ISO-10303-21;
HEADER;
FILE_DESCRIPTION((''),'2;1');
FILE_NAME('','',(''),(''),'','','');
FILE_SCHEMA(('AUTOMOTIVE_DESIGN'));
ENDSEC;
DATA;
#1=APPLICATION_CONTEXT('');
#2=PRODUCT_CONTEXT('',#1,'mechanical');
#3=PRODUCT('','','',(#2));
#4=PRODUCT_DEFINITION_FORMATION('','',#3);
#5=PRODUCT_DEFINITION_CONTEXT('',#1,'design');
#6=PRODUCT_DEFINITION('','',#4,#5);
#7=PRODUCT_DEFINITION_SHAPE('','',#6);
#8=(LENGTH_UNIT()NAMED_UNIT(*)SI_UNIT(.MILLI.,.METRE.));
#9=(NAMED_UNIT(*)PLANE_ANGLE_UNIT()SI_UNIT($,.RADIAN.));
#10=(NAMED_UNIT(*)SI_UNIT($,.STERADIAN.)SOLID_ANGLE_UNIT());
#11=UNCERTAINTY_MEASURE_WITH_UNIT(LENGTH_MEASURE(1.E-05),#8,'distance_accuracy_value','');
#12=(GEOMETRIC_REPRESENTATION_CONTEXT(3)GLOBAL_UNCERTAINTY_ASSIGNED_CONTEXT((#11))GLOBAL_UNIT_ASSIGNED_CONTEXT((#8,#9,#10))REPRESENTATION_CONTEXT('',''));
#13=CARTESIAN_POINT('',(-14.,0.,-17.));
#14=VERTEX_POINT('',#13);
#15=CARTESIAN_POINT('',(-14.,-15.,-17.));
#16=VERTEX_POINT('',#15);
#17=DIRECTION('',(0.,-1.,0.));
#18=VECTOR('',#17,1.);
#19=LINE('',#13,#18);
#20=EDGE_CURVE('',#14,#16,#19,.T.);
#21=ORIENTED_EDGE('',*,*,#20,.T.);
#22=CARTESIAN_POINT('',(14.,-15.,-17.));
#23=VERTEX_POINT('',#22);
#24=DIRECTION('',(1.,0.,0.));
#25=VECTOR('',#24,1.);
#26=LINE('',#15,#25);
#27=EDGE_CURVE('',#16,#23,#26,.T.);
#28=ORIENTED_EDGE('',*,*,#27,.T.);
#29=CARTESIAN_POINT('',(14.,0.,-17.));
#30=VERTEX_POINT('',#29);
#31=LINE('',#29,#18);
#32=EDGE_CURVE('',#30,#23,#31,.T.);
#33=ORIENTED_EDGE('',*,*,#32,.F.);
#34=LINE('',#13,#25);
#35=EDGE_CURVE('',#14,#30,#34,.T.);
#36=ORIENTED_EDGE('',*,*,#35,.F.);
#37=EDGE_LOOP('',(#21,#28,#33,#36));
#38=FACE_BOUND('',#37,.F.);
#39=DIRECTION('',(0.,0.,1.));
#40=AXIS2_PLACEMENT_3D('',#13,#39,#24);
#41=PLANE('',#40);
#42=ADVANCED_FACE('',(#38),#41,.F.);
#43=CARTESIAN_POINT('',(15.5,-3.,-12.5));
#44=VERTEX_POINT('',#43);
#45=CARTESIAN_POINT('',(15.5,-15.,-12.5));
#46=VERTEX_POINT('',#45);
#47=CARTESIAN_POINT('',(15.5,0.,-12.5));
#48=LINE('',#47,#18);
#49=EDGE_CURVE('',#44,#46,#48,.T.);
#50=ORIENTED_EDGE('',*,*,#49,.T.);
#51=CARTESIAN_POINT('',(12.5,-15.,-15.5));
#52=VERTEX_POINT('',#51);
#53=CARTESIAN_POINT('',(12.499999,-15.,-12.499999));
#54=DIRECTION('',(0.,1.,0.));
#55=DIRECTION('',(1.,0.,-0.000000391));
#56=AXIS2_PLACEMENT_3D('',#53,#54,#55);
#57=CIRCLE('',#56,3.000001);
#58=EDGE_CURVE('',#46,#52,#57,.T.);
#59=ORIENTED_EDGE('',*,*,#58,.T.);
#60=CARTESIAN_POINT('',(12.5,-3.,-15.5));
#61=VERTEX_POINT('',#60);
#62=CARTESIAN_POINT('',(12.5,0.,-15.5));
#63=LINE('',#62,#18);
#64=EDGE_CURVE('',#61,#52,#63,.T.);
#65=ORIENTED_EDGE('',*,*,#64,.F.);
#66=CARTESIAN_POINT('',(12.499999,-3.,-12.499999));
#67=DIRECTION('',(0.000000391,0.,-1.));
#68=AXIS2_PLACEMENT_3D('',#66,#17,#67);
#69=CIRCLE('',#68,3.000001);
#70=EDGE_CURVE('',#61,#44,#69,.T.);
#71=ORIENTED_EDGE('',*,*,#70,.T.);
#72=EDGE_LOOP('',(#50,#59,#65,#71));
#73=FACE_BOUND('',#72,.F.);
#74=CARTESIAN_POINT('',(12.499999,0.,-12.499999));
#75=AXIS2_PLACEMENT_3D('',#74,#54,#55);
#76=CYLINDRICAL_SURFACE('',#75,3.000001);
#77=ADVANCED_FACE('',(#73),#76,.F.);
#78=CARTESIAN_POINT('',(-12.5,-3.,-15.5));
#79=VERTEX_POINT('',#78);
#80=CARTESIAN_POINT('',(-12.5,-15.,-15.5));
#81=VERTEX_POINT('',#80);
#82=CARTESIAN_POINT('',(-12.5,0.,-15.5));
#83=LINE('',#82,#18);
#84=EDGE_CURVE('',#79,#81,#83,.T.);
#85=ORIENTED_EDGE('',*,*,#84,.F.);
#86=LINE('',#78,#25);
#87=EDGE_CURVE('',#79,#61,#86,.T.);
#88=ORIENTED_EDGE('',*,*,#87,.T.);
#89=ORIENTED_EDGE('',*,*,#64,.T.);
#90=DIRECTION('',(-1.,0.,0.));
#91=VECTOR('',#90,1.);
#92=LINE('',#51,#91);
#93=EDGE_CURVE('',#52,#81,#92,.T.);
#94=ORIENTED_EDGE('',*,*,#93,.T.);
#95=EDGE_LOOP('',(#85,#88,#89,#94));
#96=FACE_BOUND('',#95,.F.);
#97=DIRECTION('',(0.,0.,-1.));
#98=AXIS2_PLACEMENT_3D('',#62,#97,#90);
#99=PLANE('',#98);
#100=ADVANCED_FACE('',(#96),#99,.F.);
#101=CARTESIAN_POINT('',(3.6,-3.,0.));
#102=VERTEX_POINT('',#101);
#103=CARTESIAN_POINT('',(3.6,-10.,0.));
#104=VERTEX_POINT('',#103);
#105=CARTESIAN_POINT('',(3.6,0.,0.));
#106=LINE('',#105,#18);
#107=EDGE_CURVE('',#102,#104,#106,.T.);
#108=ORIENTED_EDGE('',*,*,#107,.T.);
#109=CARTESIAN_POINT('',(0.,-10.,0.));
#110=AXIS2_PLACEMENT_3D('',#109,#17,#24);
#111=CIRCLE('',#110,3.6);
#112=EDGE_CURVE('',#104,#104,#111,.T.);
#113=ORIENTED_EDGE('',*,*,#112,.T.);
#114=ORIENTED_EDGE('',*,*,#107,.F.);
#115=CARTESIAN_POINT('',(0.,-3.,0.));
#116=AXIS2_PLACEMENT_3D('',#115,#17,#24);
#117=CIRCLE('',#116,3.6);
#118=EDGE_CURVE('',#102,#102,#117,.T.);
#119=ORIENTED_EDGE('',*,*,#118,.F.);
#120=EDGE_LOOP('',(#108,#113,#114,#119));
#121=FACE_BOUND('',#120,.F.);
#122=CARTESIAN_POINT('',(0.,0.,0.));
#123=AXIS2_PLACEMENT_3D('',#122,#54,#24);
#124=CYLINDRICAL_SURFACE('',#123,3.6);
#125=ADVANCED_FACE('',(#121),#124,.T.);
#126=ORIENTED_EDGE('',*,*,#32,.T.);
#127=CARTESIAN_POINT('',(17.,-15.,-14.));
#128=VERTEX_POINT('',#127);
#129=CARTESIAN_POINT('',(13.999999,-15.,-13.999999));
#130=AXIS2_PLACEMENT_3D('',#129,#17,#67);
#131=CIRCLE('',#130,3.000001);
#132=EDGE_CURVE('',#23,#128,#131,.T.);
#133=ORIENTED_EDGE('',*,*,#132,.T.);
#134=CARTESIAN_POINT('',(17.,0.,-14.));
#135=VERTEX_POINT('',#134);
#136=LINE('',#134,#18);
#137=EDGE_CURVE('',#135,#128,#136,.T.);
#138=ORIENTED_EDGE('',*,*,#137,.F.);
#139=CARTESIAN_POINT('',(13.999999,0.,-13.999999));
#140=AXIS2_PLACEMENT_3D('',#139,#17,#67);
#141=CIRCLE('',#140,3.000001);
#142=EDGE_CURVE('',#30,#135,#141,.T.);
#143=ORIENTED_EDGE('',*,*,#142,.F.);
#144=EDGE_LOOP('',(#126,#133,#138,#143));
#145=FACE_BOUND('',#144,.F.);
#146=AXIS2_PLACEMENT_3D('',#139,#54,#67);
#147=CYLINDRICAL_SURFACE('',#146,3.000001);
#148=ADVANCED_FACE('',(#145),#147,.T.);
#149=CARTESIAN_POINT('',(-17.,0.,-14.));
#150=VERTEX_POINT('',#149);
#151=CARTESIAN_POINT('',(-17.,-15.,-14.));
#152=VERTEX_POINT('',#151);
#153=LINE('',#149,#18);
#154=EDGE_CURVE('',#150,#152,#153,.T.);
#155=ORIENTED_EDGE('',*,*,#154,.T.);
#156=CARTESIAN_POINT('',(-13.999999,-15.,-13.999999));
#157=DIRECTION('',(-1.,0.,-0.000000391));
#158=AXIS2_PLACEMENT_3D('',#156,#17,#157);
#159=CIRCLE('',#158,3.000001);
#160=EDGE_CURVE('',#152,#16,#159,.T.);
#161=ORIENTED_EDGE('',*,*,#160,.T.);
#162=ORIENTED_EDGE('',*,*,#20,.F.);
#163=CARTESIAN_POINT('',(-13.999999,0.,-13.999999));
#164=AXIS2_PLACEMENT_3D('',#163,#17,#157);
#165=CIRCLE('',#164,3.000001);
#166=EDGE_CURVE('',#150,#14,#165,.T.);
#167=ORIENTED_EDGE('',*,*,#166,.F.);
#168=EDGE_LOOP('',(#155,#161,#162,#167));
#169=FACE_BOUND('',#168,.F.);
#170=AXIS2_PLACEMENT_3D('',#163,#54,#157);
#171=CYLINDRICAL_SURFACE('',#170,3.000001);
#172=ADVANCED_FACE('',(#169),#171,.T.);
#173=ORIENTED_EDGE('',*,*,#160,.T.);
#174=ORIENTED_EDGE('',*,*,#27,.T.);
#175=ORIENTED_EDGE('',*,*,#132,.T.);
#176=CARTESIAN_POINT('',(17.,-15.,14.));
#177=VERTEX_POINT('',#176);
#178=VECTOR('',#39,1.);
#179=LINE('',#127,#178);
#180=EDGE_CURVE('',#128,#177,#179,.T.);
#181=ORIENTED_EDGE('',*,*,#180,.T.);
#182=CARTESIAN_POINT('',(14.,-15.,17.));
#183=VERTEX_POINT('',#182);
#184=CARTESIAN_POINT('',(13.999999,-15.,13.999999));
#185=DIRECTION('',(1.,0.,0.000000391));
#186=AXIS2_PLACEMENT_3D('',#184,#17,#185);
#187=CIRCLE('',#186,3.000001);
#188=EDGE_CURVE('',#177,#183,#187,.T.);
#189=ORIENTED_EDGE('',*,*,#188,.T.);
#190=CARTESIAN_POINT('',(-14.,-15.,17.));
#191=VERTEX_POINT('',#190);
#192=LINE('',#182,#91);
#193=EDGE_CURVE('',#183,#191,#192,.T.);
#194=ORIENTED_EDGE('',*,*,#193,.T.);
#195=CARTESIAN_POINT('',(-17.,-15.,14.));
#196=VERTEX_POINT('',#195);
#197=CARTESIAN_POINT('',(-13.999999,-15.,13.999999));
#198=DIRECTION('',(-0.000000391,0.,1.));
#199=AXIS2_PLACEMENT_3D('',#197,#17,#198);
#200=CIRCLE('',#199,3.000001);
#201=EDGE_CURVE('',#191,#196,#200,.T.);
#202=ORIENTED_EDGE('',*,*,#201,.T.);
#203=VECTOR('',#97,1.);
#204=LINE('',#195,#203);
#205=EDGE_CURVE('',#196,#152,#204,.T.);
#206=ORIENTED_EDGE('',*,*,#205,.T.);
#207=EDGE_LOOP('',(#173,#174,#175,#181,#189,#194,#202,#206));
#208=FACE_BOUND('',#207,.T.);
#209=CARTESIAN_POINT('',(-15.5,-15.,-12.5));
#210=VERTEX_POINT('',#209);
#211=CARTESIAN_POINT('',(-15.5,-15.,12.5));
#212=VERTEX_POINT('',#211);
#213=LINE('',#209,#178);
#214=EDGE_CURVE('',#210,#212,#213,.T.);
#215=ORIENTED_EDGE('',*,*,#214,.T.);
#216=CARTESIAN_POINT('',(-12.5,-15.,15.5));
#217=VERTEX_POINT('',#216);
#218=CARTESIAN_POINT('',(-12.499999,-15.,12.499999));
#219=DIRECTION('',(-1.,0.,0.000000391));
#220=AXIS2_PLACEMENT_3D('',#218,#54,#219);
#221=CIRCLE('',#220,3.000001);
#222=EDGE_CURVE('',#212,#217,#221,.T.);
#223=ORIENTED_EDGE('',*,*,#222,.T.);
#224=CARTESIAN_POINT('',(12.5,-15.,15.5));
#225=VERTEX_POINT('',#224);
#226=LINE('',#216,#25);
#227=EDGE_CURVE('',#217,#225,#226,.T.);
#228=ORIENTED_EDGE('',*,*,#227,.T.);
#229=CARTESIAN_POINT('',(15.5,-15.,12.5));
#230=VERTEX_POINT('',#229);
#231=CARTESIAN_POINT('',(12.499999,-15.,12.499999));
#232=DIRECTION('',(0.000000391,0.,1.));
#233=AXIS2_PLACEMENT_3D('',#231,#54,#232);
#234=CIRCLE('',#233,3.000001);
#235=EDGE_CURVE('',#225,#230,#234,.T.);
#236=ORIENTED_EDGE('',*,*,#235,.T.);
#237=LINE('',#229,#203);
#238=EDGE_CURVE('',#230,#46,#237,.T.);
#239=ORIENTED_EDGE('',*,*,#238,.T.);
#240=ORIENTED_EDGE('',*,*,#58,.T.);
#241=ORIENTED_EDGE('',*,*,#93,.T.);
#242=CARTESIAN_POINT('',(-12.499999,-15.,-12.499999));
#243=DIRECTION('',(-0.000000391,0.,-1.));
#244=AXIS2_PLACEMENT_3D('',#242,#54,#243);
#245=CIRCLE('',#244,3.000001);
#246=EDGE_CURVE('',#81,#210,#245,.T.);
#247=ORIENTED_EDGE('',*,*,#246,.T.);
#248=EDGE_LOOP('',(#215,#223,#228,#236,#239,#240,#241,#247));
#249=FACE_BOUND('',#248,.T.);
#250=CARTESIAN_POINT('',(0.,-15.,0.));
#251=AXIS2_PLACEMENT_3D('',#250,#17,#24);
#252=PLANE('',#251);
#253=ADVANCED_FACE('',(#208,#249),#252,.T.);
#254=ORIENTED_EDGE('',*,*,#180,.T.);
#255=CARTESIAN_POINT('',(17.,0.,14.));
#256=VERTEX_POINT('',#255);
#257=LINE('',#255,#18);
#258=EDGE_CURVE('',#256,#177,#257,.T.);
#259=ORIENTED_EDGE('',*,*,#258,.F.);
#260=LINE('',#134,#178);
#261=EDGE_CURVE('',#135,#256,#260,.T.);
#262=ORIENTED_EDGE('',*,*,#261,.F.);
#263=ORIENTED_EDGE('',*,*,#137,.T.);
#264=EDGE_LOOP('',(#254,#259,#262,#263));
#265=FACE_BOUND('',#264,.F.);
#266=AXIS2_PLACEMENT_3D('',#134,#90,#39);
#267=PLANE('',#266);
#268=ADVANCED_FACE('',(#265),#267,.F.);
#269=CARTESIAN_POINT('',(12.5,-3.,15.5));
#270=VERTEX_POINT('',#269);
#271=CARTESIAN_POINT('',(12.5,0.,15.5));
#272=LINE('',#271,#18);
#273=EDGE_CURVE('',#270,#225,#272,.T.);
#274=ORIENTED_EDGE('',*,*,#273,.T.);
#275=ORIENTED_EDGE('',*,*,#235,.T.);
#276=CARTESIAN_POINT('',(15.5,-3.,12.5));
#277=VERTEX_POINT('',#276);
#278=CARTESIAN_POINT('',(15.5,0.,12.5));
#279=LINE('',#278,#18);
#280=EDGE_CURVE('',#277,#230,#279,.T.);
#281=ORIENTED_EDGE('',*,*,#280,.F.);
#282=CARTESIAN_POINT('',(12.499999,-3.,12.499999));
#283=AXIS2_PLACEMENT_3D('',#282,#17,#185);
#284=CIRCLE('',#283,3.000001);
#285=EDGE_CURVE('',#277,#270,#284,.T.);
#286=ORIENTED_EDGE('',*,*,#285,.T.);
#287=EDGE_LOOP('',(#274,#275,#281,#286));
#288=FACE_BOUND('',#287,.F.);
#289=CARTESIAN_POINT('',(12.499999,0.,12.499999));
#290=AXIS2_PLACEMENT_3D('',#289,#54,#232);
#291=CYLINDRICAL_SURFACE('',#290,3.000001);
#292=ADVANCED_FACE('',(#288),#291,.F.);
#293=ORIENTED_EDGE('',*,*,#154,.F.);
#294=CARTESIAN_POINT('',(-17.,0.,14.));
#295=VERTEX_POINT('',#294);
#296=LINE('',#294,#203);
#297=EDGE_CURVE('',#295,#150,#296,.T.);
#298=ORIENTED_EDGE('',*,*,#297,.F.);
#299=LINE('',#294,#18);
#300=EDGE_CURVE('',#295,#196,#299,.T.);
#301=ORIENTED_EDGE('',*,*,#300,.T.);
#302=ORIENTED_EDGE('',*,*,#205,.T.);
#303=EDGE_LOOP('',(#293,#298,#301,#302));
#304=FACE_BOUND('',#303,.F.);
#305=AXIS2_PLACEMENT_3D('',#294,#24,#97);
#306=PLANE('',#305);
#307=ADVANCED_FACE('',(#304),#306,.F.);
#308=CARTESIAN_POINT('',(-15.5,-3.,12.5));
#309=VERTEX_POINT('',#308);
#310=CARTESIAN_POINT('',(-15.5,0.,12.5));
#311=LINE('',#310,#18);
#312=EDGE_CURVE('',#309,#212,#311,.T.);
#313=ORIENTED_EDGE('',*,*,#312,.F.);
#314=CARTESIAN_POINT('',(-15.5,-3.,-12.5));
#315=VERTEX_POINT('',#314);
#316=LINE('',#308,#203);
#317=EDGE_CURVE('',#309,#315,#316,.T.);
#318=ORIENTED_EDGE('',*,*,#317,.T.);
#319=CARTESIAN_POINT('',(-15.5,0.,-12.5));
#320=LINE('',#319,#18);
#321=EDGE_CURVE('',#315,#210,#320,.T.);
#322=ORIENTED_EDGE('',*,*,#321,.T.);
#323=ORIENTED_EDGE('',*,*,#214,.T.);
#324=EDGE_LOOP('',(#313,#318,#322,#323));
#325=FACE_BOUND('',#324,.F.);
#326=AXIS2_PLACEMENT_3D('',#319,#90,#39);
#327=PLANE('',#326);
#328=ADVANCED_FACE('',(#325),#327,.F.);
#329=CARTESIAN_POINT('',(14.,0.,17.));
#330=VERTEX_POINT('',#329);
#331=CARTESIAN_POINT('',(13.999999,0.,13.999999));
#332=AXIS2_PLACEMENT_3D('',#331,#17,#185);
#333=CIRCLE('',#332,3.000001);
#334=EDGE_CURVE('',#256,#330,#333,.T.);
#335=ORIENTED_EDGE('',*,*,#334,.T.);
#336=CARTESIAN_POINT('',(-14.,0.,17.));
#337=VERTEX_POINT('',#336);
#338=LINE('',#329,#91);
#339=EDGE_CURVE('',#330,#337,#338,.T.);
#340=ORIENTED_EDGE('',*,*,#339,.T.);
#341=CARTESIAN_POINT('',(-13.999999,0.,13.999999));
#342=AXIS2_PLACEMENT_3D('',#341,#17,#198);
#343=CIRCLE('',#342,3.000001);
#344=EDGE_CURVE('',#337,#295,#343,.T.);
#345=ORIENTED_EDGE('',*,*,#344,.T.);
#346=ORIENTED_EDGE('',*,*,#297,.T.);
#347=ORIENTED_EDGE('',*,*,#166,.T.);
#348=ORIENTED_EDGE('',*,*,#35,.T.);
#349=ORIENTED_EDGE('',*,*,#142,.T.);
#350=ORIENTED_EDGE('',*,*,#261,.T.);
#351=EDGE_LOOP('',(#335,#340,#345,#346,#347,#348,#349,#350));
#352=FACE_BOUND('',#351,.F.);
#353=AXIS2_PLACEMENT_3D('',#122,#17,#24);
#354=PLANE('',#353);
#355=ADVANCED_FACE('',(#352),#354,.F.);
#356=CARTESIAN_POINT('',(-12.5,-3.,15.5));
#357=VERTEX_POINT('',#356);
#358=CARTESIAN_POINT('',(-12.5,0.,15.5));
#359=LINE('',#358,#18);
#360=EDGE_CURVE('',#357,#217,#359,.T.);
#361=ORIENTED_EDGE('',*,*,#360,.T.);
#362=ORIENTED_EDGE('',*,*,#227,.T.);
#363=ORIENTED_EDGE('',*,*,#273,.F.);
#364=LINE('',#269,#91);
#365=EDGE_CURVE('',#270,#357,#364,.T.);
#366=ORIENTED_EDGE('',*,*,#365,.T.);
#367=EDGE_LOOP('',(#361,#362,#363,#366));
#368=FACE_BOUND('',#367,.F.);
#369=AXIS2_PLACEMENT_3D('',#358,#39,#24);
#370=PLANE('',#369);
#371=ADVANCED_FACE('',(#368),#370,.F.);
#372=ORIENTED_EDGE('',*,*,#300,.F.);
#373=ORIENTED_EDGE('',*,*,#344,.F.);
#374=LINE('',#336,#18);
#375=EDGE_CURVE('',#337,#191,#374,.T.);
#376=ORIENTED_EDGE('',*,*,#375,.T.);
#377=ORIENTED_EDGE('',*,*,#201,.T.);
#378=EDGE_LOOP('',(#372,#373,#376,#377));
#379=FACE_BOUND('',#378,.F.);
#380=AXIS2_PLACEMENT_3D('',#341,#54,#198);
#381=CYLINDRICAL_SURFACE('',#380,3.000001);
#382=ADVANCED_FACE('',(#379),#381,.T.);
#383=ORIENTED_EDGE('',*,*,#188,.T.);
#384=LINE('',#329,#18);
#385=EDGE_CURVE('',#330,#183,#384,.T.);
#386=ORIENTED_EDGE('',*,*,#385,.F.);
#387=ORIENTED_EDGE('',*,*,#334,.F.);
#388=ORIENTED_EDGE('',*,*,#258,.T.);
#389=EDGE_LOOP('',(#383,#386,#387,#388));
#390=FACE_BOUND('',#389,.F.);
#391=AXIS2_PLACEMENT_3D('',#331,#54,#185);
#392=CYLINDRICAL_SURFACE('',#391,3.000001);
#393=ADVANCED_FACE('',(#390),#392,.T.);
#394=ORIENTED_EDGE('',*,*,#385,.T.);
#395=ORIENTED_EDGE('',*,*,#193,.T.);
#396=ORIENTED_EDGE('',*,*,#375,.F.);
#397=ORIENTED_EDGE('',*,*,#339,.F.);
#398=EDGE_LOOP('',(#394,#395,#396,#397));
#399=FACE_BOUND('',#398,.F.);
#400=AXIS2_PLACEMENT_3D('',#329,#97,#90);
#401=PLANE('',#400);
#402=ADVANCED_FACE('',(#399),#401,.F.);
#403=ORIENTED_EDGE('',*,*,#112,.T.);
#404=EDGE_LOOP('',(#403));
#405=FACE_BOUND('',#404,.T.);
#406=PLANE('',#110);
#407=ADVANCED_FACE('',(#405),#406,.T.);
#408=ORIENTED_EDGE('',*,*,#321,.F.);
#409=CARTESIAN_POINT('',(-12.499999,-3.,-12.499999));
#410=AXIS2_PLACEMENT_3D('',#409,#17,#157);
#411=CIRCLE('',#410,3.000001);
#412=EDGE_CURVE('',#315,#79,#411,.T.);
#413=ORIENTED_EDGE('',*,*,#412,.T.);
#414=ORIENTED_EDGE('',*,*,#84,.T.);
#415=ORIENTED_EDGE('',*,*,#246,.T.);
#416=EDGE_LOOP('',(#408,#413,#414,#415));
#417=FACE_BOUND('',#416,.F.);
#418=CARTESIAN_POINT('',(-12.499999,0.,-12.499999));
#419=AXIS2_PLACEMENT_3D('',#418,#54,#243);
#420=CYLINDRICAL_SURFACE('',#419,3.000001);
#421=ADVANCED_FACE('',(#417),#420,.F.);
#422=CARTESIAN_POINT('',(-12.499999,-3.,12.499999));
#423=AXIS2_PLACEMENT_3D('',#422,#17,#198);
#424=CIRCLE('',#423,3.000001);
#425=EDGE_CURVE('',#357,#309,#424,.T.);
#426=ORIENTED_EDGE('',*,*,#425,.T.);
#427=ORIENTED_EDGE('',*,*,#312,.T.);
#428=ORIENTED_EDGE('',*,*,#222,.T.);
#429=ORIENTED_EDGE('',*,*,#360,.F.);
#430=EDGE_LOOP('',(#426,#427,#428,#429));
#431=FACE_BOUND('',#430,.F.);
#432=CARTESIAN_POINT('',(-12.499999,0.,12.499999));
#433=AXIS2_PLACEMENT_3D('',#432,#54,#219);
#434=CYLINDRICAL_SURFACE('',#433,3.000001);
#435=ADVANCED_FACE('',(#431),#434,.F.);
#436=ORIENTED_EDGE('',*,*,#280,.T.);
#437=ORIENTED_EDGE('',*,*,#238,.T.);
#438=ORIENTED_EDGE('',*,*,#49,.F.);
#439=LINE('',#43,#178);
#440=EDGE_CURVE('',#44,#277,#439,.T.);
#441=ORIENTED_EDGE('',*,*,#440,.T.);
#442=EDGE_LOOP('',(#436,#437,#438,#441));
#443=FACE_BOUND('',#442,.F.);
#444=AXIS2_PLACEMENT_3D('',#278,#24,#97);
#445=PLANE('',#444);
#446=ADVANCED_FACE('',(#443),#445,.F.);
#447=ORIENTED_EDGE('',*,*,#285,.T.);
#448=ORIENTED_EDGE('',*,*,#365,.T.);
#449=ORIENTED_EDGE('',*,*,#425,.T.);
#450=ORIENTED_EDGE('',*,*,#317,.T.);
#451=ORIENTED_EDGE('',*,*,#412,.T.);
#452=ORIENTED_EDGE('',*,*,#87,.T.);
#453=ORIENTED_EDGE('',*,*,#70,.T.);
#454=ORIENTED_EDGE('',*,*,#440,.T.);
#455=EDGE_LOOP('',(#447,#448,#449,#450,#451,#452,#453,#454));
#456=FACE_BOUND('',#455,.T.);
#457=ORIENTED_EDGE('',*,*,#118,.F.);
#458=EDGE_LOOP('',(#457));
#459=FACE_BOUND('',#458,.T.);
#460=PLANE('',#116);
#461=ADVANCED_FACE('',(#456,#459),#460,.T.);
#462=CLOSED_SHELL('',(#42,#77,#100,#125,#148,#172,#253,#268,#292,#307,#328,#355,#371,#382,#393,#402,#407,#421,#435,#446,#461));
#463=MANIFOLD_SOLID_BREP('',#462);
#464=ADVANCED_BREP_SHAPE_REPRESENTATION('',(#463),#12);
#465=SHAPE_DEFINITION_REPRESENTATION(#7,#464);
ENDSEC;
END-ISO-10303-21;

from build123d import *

# Parameters (mm, degrees)
F0_R     = 3.6
F1_DEPTH = 3
F2_DEPTH = 10
F3_DEPTH = 15


with BuildPart() as f1:
    # F0 (on Front) → F1 (new body)
    with BuildSketch(Plane.XZ):
        with BuildLine():
            ThreePointArc((15.5, 12.5), (14.62132, 14.62132), (12.5, 15.5))
            Line((12.5, 15.5), (-12.5, 15.5))
            ThreePointArc((-12.5, 15.5), (-14.62132, 14.62132), (-15.5, 12.5))
            Line((-15.5, 12.5), (-15.5, -12.5))
            ThreePointArc((-15.5, -12.5), (-14.62132, -14.62132), (-12.5, -15.5))
            Line((-12.5, -15.5), (12.5, -15.5))
            ThreePointArc((12.5, -15.5), (14.62132, -14.62132), (15.5, -12.5))
            Line((15.5, -12.5), (15.5, 12.5))
        make_face()
        Circle(F0_R, mode=Mode.SUBTRACT)
    extrude(amount=F1_DEPTH)

    # F0 (on Front) → F2 (join)
    with BuildSketch(Plane.XZ):
        Circle(F0_R)
    extrude(amount=F2_DEPTH)

    # F0 (on Front) → F3 (join)
    with BuildSketch(Plane.XZ):
        with BuildLine():
            Line((14, 17), (-14, 17))
            ThreePointArc((-14, 17), (-16.12132, 16.12132), (-17, 14))
            Line((-17, 14), (-17, -14))
            ThreePointArc((-17, -14), (-16.12132, -16.12132), (-14, -17))
            Line((-14, -17), (14, -17))
            ThreePointArc((14, -17), (16.12132, -16.12132), (17, -14))
            Line((17, -14), (17, 14))
            ThreePointArc((17, 14), (16.12132, 16.12132), (14, 17))
        make_face()
        with BuildLine():
            Line((-12.5, 15.5), (12.5, 15.5))
            ThreePointArc((12.5, 15.5), (14.62132, 14.62132), (15.5, 12.5))
            Line((15.5, 12.5), (15.5, -12.5))
            ThreePointArc((15.5, -12.5), (14.62132, -14.62132), (12.5, -15.5))
            Line((12.5, -15.5), (-12.5, -15.5))
            ThreePointArc((-12.5, -15.5), (-14.62132, -14.62132), (-15.5, -12.5))
            Line((-15.5, -12.5), (-15.5, 12.5))
            ThreePointArc((-15.5, 12.5), (-14.62132, 14.62132), (-12.5, 15.5))
        make_face(mode=Mode.SUBTRACT)
    extrude(amount=F3_DEPTH)


solid = f1.part
